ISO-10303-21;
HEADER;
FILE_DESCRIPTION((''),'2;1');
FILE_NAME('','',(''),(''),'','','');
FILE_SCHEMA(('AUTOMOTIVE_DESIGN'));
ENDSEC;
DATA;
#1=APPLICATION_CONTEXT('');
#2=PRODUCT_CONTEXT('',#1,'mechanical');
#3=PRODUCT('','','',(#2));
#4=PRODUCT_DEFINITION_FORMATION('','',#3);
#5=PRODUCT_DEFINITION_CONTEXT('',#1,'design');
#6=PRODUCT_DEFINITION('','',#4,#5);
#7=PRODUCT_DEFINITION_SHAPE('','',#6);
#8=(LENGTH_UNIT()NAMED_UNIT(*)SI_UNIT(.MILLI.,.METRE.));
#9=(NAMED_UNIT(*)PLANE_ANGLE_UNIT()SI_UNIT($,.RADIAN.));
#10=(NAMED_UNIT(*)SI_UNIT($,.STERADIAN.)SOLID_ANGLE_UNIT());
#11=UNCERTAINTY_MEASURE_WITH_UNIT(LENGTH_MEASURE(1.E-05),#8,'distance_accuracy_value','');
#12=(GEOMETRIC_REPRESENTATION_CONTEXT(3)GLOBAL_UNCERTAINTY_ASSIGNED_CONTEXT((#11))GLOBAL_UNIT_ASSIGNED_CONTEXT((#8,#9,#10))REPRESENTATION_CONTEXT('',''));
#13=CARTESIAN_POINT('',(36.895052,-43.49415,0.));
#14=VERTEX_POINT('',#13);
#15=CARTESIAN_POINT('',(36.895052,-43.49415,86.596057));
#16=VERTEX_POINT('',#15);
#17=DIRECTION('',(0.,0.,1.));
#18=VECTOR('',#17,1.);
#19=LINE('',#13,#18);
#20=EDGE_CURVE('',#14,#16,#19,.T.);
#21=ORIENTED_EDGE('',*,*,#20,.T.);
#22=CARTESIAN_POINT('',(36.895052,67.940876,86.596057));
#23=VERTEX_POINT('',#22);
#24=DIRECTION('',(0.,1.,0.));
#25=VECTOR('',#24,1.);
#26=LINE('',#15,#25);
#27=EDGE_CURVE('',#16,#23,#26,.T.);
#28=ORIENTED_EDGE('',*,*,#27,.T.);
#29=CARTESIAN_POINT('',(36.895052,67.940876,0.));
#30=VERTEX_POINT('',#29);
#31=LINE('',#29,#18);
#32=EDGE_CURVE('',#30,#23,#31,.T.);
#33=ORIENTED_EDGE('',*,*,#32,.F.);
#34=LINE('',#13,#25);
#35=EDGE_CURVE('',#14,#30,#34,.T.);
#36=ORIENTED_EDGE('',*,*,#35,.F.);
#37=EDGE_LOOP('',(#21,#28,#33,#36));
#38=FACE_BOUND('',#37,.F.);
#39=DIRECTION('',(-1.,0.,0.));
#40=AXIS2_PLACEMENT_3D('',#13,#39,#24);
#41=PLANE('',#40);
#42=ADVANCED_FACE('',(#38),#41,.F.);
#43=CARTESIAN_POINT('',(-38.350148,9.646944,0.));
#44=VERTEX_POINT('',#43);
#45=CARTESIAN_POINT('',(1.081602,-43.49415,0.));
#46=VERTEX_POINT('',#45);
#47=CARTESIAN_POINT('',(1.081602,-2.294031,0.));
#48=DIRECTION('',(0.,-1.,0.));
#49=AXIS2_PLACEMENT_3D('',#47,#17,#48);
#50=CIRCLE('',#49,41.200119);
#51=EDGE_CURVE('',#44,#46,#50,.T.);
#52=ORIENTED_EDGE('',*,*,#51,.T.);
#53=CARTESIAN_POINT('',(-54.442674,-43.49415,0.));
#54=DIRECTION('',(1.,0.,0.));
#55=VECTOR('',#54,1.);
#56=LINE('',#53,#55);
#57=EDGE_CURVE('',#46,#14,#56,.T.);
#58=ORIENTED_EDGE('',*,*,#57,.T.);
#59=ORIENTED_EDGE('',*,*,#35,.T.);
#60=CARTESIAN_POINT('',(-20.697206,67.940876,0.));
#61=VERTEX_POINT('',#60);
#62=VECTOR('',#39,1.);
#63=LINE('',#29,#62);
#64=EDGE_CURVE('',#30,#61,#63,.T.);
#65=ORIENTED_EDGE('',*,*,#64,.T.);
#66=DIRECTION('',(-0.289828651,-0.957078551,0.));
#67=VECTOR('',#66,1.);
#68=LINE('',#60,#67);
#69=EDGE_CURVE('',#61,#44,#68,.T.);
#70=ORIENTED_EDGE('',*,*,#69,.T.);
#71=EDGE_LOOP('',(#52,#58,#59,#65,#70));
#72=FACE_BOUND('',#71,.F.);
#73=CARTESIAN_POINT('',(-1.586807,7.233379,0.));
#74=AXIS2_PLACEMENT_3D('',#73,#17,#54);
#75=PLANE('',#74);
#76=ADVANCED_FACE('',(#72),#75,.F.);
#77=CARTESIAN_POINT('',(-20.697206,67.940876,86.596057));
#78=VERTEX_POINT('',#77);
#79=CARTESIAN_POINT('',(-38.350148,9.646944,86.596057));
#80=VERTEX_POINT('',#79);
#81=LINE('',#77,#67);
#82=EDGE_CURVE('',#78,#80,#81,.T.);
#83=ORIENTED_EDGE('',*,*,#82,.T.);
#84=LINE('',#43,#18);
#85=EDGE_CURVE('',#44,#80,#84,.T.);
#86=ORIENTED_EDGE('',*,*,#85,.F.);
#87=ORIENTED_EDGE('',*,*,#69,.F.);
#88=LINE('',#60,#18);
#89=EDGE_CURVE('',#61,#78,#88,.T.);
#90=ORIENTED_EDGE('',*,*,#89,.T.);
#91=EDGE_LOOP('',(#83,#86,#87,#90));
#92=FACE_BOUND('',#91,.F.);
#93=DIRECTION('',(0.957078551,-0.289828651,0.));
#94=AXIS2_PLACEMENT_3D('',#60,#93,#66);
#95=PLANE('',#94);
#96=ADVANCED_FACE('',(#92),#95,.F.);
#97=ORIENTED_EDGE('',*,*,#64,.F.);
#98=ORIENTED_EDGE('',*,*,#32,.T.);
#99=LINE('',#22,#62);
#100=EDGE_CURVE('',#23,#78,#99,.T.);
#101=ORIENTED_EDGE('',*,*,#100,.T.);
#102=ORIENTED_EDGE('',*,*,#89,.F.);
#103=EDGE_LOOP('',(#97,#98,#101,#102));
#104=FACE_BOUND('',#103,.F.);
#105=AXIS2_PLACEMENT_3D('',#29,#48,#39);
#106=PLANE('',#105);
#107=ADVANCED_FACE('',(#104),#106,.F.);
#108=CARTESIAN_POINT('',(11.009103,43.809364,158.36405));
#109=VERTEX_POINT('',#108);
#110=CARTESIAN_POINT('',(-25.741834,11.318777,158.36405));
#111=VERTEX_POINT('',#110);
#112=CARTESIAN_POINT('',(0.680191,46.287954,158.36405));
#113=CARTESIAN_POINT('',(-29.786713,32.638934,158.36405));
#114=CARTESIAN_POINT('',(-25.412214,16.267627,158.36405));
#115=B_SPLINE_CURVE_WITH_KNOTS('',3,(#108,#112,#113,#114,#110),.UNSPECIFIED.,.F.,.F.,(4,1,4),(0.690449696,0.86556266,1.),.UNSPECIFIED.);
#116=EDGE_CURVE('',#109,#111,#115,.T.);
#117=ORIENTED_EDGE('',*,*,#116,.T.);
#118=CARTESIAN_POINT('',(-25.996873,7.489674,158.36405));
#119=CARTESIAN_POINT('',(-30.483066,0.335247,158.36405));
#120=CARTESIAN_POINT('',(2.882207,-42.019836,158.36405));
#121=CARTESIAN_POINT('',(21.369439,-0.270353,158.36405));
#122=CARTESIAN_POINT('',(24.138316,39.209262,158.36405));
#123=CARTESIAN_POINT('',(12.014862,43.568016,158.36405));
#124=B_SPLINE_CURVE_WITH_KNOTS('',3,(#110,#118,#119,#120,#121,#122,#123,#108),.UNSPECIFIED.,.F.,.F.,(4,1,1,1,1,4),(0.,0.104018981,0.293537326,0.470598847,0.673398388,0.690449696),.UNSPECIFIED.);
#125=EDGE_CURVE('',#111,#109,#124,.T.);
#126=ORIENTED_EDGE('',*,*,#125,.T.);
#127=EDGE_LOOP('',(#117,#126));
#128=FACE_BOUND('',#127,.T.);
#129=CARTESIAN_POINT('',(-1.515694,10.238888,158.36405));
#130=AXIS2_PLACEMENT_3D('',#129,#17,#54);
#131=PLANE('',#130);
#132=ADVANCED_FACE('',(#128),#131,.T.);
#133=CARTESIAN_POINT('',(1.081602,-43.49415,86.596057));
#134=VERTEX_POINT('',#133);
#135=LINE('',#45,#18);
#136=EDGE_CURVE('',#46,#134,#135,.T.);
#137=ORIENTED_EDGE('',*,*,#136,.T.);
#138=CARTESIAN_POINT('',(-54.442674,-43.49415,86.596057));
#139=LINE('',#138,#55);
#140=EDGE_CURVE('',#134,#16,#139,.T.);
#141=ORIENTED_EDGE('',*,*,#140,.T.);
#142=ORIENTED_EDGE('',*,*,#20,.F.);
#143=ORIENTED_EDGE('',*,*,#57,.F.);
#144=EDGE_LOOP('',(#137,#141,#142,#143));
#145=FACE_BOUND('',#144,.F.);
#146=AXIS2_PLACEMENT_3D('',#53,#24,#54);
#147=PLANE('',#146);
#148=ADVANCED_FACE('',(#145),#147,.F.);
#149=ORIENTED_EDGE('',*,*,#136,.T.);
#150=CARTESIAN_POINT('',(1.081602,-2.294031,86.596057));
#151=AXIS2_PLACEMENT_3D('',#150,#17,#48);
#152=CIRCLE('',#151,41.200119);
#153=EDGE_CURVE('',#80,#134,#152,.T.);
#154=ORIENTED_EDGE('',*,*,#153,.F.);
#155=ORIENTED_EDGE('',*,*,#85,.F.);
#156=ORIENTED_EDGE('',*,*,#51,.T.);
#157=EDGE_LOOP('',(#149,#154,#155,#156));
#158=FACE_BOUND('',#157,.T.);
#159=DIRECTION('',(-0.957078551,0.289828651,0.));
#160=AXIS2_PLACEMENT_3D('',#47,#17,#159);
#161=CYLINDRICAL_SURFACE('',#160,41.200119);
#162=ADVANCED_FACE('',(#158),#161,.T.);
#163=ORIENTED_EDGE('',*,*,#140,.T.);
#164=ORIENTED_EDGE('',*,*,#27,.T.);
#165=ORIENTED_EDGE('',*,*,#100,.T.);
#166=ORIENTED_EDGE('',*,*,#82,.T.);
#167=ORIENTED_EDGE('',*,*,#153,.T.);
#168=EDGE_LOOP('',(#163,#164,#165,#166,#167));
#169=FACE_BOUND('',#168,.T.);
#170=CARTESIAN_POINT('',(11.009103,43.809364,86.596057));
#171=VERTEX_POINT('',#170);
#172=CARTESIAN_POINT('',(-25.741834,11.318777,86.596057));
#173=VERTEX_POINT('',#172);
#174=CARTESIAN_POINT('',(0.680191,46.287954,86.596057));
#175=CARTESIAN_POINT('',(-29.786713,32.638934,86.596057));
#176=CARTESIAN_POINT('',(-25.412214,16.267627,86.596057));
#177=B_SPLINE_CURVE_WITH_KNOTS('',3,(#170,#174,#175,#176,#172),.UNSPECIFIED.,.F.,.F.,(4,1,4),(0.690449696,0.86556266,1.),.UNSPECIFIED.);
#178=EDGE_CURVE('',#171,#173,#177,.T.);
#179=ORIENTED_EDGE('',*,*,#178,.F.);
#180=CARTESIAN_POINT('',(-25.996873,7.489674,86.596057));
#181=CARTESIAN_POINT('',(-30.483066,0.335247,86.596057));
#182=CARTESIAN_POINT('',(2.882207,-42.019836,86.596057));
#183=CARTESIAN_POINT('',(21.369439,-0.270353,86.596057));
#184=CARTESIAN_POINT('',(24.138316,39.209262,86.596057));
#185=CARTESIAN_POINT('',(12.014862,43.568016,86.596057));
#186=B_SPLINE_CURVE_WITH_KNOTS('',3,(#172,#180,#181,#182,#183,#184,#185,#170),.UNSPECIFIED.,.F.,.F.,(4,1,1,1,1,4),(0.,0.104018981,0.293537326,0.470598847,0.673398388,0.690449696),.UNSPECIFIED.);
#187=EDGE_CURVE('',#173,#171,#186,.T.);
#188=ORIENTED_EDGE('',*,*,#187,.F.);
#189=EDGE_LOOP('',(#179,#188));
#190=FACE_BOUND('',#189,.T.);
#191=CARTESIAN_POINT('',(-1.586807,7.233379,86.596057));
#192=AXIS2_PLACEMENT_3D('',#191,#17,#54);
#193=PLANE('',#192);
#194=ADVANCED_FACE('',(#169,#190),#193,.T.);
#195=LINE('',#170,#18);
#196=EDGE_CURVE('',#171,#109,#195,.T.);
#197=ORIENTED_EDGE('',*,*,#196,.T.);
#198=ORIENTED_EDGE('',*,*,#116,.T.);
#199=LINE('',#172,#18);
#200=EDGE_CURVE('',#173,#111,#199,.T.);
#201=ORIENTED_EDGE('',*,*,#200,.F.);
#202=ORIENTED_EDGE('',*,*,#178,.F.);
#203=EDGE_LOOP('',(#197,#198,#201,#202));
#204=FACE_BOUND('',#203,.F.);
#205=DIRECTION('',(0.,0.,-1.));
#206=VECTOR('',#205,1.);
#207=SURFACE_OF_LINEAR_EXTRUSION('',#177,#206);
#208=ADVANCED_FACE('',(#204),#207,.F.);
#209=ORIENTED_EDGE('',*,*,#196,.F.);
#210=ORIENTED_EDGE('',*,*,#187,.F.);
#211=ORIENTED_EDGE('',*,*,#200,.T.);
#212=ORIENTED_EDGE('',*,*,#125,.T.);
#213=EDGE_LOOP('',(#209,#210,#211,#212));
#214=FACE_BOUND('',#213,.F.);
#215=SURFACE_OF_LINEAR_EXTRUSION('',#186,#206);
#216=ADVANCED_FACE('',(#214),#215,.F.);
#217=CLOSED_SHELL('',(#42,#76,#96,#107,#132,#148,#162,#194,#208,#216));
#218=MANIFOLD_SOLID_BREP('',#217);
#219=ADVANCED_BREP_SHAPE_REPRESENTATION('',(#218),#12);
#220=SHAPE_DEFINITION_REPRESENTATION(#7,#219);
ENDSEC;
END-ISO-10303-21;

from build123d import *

# Parameters (mm, degrees)
F1_DEPTH = 86.596056819
F2_R     = 41.200118827
F4_DEPTH = 71.7679932714


with BuildPart() as f1:
    # F0 (on Top) → F1 (new body)
    with BuildSketch(Plane.XY):
        Polygon((-20.6972062588, 67.9408758879), (-54.4426739216, -43.4941500425), (36.8950515985, -43.4941500425), (36.8950515985, 67.9408758879), align=None)
    extrude(amount=F1_DEPTH)

    # F2
    f2_edges = [f1.edges().sort_by_distance(p)[0] for p in [
        (-54.442674, -43.49415, 43.298028),
    ]]
    fillet(f2_edges, radius=F2_R)

    # F3 (on face) → F4 (join)
    with BuildSketch(Plane.XY.offset(86.596056819)):
        with BuildLine():
            add(Edge.make_bspline(
                [(11.0091032889, 43.8093641297), (0.6801912823, 46.2879540781), (-29.7867133089, 32.6389337446), (-25.4122136179, 16.2676269293), (-25.7418341935, 11.3187767565)],
                knots=[0.6904496957, 0.6904496957, 0.6904496957, 0.6904496957, 0.8655626605, 1, 1, 1, 1], degree=3))
            add(Edge.make_bspline(
                [(-25.7418341935, 11.3187767565), (-25.9968734289, 7.4896742735), (-30.4830661212, 0.3352469493), (2.8822074543, -42.0198360682), (21.3694389315, -0.2703530615), (24.1383163253, 39.2092619527), (12.0148623867, 43.568015923), (11.0091032889, 43.8093641297)],
                knots=[0, 0, 0, 0, 0.1040189807, 0.2935373263, 0.4705988468, 0.673398388, 0.6904496957, 0.6904496957, 0.6904496957, 0.6904496957], degree=3))
        make_face()
    extrude(amount=F4_DEPTH)


solid = f1.part
